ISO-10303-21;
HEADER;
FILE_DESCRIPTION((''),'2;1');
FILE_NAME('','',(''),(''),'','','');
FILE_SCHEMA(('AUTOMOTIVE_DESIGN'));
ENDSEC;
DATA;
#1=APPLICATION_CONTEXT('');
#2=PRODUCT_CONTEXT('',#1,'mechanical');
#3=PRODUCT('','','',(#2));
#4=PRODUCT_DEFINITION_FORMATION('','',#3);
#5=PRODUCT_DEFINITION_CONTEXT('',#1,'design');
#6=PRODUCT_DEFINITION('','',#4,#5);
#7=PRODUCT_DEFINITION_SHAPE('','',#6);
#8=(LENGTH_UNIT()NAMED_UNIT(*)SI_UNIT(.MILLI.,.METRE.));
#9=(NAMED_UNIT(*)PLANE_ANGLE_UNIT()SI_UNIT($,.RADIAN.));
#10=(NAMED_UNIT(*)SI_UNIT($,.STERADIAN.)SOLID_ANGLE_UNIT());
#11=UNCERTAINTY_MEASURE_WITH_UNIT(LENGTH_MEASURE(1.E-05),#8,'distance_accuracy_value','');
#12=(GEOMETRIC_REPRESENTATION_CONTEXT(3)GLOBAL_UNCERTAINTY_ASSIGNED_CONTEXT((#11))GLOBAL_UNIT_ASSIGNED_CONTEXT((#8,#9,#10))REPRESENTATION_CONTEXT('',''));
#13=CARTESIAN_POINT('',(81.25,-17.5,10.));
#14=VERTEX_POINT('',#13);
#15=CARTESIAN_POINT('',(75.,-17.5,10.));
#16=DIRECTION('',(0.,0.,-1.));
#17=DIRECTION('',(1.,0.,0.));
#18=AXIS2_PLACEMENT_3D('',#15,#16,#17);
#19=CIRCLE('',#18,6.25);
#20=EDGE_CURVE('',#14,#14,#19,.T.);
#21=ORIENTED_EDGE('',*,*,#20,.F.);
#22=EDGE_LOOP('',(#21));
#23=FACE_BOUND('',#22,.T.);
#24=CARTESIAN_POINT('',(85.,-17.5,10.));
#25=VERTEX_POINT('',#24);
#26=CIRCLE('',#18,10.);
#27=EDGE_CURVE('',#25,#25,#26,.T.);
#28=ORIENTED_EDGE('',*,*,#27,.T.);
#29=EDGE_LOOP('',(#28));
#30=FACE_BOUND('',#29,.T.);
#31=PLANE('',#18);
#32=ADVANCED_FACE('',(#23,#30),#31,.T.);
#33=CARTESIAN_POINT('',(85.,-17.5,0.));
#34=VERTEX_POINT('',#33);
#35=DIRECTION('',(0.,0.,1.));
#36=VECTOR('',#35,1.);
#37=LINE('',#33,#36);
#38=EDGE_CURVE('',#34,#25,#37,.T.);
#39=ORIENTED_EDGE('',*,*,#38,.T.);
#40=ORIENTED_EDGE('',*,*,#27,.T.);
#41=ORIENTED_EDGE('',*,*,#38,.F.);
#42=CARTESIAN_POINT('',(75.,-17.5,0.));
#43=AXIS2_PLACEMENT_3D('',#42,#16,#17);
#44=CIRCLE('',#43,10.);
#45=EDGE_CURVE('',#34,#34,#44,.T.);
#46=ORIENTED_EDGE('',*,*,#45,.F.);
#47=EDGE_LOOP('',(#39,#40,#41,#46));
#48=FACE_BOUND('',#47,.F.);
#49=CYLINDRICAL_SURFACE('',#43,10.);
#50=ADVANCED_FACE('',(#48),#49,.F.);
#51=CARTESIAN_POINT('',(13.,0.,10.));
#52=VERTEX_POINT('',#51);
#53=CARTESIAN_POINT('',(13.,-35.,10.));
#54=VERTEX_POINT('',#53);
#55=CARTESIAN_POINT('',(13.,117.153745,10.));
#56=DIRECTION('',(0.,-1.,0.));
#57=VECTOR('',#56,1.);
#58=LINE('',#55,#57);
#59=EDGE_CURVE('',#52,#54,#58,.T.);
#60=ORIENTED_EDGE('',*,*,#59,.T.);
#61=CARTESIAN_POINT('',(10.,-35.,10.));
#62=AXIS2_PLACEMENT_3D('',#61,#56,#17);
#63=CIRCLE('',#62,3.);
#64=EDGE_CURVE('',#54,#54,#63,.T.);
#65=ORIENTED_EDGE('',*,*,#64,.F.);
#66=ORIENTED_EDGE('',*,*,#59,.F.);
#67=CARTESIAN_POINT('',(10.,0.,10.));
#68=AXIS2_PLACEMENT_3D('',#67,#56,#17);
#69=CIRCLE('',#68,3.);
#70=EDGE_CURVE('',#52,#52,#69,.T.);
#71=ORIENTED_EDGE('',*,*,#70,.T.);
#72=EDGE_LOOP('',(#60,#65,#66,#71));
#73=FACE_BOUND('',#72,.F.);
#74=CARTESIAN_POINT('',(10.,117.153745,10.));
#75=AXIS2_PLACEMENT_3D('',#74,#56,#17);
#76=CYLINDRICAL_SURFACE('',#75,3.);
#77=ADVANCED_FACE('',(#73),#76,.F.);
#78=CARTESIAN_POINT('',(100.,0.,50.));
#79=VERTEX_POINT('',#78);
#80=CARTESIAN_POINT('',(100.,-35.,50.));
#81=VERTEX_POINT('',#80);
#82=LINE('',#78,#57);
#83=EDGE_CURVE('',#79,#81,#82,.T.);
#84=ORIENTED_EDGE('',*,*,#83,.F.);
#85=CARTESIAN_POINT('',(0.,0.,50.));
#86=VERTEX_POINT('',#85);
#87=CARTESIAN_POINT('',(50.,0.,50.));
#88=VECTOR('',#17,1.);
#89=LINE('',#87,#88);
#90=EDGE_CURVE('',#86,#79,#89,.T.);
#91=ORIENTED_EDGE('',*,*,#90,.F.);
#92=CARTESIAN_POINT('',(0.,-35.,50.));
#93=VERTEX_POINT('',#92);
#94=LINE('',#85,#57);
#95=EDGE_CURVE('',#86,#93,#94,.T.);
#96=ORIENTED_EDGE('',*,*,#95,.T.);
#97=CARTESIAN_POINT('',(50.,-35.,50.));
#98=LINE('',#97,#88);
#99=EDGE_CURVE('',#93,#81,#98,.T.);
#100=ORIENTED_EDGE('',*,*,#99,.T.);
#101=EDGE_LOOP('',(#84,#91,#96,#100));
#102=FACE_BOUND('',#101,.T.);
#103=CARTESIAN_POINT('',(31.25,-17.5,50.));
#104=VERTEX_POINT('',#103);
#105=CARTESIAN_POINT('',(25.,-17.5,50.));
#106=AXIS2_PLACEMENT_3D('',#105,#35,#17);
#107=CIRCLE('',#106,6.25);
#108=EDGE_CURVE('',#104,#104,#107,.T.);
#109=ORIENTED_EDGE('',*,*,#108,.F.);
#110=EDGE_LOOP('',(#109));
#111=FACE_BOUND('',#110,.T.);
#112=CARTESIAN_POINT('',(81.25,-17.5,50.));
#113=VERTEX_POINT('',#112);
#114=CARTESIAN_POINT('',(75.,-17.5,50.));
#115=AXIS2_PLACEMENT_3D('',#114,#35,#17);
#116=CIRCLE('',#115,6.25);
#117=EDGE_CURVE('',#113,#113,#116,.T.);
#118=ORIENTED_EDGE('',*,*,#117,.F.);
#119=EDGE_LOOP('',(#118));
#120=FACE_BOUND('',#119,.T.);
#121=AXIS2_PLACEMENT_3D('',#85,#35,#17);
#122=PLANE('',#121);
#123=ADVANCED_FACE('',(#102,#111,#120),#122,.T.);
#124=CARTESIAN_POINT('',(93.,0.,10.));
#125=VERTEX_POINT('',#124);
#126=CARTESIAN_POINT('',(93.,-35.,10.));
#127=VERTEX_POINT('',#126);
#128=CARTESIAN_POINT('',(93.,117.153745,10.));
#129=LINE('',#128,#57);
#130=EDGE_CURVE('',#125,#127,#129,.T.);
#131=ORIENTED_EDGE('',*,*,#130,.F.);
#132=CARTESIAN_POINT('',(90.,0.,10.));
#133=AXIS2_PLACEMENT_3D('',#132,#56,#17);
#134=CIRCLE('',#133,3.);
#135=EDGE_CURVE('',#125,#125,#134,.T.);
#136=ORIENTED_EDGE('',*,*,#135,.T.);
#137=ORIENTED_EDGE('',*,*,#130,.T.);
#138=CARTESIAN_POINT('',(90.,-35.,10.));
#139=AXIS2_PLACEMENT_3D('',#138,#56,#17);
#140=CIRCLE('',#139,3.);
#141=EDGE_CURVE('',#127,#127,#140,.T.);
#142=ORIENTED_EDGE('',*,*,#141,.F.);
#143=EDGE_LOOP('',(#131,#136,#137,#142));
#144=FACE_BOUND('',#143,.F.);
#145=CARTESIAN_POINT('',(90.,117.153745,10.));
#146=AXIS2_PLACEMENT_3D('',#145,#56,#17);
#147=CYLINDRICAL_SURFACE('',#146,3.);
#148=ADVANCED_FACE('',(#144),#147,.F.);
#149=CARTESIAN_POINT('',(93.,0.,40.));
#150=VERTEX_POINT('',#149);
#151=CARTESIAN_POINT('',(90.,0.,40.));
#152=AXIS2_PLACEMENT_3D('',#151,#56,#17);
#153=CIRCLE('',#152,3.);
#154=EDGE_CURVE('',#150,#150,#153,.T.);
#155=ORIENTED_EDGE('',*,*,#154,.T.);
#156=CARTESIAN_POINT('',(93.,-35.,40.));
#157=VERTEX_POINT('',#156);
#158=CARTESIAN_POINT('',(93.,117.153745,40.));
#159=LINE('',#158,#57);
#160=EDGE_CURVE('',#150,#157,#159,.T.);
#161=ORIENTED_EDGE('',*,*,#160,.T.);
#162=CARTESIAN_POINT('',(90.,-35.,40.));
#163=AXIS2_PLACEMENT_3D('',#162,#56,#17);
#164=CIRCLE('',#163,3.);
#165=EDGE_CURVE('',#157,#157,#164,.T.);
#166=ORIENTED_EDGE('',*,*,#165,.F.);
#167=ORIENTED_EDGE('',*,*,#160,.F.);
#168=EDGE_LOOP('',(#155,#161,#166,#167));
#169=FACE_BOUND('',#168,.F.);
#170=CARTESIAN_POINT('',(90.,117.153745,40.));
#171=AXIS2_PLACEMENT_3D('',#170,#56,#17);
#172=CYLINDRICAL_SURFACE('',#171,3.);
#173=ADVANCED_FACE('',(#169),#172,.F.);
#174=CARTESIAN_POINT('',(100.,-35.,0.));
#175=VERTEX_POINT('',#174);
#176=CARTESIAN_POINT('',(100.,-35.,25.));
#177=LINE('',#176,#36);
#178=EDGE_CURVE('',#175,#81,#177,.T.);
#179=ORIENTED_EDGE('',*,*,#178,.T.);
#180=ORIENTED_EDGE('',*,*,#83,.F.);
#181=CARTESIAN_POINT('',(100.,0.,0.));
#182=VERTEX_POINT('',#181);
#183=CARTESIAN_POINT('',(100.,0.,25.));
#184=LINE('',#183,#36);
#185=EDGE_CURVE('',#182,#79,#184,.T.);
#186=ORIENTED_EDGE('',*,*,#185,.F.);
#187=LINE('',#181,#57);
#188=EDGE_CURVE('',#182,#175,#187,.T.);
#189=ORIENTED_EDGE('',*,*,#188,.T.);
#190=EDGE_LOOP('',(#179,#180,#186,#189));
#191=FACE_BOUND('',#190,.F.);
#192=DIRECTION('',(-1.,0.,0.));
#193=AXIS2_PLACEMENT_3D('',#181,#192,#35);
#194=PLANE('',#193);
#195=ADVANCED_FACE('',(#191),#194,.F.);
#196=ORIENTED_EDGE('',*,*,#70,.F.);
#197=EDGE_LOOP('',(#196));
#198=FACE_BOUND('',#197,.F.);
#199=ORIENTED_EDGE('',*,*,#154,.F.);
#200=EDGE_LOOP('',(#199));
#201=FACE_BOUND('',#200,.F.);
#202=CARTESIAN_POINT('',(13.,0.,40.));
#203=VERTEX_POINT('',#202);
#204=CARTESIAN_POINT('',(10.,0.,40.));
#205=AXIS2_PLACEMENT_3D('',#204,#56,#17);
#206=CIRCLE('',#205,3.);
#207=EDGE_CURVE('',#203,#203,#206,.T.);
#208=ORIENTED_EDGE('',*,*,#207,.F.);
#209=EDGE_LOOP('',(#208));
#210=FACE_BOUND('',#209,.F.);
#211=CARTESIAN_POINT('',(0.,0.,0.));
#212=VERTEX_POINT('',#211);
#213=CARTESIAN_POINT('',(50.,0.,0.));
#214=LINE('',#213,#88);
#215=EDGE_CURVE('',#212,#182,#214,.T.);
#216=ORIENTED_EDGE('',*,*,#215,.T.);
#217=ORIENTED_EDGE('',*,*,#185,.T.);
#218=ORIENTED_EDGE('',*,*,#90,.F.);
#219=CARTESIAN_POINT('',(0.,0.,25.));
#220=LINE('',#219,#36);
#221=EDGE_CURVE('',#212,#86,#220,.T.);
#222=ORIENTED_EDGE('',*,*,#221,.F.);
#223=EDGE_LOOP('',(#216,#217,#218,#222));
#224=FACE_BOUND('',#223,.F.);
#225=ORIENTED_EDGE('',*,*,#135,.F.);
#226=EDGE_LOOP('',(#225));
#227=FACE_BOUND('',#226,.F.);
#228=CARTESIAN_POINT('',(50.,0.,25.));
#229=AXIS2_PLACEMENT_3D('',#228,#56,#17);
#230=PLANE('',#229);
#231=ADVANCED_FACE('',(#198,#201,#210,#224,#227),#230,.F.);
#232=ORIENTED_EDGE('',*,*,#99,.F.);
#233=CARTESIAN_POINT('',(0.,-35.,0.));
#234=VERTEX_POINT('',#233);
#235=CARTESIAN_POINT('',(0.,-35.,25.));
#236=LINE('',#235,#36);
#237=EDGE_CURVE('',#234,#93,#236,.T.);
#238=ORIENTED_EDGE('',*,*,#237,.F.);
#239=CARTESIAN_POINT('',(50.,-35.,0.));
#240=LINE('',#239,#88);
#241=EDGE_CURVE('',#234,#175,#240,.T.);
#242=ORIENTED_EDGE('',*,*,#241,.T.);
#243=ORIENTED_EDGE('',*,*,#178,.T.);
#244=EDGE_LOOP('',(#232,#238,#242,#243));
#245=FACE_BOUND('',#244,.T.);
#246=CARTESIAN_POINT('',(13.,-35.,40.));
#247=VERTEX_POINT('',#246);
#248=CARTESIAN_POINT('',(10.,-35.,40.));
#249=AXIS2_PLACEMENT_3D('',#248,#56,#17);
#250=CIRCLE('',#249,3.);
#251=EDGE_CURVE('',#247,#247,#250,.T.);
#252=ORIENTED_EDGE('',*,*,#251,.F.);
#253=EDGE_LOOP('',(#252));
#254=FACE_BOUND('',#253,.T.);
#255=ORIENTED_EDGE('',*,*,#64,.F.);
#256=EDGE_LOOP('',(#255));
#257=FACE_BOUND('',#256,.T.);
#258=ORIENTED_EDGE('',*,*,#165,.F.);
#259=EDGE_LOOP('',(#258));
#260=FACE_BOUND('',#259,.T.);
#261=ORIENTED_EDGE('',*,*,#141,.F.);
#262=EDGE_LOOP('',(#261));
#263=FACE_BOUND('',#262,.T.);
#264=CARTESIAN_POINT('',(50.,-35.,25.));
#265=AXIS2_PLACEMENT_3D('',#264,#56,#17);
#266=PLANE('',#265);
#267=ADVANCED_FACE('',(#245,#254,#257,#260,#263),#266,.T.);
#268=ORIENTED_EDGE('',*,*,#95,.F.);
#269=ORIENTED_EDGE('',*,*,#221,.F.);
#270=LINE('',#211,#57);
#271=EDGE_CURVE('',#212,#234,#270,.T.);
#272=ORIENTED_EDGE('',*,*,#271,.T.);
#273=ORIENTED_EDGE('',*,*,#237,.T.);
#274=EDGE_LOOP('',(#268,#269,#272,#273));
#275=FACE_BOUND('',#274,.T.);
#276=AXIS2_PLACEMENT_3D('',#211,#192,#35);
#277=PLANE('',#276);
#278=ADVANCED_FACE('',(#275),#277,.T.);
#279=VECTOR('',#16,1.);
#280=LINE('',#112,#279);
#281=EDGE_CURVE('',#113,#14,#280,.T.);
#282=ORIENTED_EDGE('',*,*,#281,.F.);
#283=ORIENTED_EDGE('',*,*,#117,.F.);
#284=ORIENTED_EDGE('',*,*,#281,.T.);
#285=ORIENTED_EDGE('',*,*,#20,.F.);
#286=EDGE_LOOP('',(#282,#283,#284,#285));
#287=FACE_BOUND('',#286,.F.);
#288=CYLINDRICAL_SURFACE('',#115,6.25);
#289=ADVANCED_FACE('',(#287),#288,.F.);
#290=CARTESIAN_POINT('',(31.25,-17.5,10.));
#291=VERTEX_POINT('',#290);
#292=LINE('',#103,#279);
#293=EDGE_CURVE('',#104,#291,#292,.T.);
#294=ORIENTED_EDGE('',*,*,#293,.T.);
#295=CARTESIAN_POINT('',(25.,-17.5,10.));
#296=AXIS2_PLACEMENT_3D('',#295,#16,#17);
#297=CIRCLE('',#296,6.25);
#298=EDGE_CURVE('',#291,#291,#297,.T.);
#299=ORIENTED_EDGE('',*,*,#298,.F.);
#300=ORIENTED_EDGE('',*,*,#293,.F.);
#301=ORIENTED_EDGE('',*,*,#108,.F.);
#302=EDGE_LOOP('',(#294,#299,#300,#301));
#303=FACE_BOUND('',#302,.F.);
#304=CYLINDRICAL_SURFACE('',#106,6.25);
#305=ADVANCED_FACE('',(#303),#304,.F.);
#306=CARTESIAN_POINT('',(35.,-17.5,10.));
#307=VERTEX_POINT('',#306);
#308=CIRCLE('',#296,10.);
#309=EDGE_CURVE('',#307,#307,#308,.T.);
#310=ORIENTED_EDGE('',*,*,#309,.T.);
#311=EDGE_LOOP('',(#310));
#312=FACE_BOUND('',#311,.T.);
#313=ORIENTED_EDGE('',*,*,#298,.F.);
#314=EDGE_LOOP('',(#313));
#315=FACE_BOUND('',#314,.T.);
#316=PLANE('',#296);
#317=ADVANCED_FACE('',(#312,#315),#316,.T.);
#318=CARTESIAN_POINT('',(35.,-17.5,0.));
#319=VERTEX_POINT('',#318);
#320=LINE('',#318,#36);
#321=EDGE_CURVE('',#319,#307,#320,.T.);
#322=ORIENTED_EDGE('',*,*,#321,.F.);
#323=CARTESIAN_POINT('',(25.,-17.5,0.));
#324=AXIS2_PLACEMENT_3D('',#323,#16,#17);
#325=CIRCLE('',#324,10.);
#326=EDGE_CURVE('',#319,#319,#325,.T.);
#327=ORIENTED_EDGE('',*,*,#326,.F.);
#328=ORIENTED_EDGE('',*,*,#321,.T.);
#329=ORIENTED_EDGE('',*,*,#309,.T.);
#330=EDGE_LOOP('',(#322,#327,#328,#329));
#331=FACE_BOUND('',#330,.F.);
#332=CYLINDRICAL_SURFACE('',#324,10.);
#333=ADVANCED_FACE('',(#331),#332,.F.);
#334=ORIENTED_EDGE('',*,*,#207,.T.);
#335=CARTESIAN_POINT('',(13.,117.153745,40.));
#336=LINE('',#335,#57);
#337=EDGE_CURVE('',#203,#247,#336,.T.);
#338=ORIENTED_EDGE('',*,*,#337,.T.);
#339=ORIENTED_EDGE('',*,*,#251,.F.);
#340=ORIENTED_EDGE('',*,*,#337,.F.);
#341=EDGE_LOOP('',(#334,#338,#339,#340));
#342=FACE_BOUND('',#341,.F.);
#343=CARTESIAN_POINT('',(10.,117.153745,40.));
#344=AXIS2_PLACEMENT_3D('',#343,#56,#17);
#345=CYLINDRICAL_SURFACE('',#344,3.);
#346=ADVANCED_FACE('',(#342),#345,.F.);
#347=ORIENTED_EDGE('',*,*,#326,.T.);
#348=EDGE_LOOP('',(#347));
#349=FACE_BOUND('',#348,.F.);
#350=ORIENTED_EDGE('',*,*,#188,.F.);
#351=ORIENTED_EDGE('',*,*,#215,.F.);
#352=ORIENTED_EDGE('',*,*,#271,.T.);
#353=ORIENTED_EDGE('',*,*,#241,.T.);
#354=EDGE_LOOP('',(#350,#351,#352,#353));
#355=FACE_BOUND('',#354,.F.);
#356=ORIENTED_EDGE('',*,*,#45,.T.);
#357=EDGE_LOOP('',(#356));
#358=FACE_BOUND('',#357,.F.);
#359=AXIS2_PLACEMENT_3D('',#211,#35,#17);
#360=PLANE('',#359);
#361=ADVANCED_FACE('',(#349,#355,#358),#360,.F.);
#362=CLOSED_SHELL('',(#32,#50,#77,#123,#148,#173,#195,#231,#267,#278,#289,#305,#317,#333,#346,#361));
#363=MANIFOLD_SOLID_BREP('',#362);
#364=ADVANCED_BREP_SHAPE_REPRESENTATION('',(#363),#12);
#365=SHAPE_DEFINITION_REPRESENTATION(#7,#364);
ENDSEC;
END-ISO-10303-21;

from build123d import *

# Parameters (mm, degrees)
F0_W     = 100
F0_H     = 50
F1_DEPTH = 35
F2_R     = 6.25
F3_DEPTH = 50.001
F5_D     = 6
F6_R     = 10
F6_R_2   = 6.25
F7_DEPTH = 10


with BuildPart() as f1:
    # F0 (on Front) → F1 (new body)
    with BuildSketch(Plane.XZ):
        with Locations((50, 25)):
            Rectangle(F0_W, F0_H)
    extrude(amount=F1_DEPTH)

    # F2 (on face) → F3 (cut, through all)
    with BuildSketch(Plane.XY.offset(50)):
        with Locations((25, -17.5)):
            Circle(F2_R)
        with Locations((75, -17.5)):
            Circle(F2_R)
    extrude(amount=-F3_DEPTH, mode=Mode.SUBTRACT)

    # F5 (through all)
    with Locations(Plane(origin=(0, 0, 0), x_dir=(-1, 0, 0), z_dir=(0, 1, 0))):
        with Locations((-90, 40), (-10, 40), (-10, 10), (-90, 10)):
            Hole(F5_D / 2)

    # F6 (on face) → F7 (cut)
    with BuildSketch(Plane(origin=(0, 0, 0), x_dir=(1, 0, 0), z_dir=(0, 0, -1))):
        with Locations((25, 17.5)):
            Circle(F6_R)
        with Locations((25, 17.5)):
            Circle(F6_R_2, mode=Mode.SUBTRACT)
        with Locations((75, 17.5)):
            Circle(F6_R)
        with Locations((75, 17.5)):
            Circle(F6_R_2, mode=Mode.SUBTRACT)
    extrude(amount=-F7_DEPTH, mode=Mode.SUBTRACT)


solid = f1.part
